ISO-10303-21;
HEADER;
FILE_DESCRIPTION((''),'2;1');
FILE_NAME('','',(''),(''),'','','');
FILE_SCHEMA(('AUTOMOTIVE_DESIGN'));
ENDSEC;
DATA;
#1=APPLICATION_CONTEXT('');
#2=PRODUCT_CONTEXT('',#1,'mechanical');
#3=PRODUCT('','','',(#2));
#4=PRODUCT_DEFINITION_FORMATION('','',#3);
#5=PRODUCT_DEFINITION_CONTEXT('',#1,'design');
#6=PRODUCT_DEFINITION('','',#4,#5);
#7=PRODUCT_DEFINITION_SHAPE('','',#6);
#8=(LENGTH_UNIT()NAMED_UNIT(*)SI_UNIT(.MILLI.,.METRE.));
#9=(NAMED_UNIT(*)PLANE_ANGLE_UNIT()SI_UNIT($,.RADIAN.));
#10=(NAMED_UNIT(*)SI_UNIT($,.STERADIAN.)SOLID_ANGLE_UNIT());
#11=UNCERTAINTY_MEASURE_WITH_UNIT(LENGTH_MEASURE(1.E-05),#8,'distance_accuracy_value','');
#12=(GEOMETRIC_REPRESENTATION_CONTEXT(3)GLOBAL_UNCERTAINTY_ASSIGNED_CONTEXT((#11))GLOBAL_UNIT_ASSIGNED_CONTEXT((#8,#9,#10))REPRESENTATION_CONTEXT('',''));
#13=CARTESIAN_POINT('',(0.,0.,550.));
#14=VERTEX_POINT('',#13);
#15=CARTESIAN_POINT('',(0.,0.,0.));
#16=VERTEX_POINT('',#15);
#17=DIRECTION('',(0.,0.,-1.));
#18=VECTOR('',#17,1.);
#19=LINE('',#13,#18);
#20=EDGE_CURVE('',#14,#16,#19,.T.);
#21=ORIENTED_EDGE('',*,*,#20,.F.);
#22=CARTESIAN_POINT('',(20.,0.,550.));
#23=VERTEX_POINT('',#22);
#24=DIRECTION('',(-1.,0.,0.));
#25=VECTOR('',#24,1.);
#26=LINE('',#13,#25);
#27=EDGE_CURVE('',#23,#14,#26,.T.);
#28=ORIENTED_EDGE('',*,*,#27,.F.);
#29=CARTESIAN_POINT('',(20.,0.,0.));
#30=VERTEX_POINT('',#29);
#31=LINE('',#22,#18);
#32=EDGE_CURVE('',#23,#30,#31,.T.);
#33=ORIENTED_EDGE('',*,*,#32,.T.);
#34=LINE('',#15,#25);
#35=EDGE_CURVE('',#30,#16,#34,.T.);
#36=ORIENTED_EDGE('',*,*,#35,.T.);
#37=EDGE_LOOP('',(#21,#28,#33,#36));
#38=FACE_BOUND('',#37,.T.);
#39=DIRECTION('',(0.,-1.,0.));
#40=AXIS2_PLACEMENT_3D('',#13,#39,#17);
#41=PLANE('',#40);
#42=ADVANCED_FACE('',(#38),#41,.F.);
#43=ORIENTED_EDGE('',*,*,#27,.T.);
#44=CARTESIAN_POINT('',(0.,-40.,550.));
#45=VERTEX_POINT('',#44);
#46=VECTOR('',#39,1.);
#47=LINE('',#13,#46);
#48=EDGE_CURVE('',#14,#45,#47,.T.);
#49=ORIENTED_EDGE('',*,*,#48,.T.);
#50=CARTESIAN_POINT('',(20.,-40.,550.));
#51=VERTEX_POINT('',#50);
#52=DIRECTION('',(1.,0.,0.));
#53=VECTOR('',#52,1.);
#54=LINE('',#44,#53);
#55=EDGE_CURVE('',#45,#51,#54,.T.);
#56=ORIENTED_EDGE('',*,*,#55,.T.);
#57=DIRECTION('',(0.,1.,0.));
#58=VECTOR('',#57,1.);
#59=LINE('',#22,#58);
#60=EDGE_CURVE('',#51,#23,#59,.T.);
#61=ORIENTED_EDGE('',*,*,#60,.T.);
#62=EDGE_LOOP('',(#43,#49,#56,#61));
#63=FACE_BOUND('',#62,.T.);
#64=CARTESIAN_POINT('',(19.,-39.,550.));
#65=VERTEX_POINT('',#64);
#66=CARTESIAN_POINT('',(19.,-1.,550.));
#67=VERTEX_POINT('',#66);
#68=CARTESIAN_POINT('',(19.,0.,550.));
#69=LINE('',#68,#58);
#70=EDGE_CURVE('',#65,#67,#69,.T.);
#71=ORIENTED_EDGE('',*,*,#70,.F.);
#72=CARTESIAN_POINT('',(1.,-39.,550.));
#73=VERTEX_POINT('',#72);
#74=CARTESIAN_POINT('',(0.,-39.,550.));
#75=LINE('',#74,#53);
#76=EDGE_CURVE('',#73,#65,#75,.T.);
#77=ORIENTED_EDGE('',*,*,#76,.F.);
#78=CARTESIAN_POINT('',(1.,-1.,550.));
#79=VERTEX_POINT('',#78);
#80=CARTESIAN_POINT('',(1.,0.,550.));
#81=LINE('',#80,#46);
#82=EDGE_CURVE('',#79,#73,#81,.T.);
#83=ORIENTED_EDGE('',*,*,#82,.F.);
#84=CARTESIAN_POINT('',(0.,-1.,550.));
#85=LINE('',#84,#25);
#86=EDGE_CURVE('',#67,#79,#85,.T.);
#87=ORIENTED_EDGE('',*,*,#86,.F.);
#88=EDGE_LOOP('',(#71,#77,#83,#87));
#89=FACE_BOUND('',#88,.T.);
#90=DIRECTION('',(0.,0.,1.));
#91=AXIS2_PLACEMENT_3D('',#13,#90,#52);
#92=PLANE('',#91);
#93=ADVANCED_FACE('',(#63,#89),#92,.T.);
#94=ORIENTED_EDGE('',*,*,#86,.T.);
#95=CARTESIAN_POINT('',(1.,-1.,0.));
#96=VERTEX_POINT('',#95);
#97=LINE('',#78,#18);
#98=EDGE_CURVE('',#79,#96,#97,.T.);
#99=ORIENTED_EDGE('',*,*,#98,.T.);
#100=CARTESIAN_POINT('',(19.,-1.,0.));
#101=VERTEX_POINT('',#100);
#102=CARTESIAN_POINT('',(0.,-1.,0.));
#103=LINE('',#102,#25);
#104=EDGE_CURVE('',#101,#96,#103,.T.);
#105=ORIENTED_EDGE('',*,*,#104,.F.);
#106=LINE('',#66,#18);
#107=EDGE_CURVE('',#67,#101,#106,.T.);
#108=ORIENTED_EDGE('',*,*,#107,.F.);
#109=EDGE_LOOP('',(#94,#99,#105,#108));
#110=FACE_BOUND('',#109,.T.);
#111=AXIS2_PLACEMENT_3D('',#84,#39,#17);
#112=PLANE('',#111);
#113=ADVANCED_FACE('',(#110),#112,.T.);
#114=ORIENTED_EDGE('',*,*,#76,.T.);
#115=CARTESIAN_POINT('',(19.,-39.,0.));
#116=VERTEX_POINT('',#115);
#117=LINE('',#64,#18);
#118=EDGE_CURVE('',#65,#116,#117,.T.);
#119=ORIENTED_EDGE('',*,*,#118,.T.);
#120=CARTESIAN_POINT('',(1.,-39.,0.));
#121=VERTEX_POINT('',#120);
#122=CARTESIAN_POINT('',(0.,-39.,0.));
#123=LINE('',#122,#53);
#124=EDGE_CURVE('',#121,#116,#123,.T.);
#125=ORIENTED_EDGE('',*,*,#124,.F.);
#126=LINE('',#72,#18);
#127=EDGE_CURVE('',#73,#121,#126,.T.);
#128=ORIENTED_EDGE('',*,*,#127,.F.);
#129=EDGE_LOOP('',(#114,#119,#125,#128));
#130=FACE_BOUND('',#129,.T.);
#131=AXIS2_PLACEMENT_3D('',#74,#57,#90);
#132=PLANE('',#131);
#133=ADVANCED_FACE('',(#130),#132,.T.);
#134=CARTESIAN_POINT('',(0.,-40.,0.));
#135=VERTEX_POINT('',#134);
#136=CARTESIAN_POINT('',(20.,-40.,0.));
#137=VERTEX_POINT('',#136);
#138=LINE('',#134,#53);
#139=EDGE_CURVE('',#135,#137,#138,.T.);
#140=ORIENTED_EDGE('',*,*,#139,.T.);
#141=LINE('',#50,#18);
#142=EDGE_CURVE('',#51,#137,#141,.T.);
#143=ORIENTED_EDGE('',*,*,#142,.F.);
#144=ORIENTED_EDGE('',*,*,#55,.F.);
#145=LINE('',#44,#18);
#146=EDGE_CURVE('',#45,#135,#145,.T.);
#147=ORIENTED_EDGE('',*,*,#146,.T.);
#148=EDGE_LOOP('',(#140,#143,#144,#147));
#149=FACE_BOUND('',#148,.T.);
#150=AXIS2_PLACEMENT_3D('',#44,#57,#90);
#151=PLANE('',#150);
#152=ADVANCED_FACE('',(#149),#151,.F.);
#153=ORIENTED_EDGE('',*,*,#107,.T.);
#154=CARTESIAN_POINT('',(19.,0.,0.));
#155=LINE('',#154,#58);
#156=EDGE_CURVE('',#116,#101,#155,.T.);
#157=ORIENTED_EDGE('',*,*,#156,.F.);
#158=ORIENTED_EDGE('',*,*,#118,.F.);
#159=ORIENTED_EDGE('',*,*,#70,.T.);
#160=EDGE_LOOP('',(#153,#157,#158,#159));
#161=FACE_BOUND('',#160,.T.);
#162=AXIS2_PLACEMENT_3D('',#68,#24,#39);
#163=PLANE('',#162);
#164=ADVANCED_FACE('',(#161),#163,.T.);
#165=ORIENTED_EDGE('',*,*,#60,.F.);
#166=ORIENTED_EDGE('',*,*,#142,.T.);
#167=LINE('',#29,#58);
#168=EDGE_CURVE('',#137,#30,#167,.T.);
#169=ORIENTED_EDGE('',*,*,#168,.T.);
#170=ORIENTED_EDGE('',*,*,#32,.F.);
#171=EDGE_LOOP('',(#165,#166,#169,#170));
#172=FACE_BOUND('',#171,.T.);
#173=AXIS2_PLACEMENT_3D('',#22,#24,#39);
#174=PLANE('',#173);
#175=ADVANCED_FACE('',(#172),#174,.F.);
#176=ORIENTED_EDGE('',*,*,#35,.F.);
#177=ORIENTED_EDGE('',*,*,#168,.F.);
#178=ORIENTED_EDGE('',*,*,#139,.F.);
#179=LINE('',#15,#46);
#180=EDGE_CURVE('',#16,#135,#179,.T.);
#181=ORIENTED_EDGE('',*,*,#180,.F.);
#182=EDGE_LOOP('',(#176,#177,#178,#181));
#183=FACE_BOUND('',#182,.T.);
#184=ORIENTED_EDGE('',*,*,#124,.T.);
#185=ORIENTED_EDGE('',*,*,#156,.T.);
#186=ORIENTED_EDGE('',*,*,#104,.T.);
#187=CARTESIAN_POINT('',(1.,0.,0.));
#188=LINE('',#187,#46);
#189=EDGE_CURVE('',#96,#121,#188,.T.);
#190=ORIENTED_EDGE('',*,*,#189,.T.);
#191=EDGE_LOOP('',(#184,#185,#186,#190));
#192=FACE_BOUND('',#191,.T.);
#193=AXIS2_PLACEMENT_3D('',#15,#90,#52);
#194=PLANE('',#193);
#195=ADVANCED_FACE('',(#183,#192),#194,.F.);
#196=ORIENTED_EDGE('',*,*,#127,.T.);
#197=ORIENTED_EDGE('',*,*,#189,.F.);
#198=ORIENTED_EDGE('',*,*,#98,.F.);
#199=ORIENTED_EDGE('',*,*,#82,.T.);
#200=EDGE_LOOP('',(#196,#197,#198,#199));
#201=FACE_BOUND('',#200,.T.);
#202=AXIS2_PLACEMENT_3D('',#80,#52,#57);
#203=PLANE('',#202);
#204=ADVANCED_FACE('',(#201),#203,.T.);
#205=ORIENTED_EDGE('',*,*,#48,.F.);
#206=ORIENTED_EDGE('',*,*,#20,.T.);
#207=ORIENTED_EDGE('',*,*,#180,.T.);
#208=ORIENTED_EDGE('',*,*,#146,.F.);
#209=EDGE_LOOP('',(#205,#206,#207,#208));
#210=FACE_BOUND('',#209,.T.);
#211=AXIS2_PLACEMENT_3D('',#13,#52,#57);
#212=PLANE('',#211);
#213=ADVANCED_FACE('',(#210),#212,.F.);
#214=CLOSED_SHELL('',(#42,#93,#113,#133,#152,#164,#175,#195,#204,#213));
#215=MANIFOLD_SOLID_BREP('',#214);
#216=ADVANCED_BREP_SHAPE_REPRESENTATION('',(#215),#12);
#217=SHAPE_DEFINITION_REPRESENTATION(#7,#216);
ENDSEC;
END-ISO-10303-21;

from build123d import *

# Parameters (mm, degrees)
SKETCH_1_W      = 20
SKETCH_1_H      = 40
SKETCH_1_W_2    = 18
SKETCH_1_H_2    = 38
EXTRUDE_1_DEPTH = 550


with BuildPart() as part:
    # 草图1 → 拉伸-薄壁1 (new body)
    with BuildSketch(Plane.XY):
        with Locations((10, -20)):
            Rectangle(SKETCH_1_W, SKETCH_1_H)
        with Locations((10, -20)):
            Rectangle(SKETCH_1_W_2, SKETCH_1_H_2, mode=Mode.SUBTRACT)
    extrude(amount=EXTRUDE_1_DEPTH)


solid = part.part
